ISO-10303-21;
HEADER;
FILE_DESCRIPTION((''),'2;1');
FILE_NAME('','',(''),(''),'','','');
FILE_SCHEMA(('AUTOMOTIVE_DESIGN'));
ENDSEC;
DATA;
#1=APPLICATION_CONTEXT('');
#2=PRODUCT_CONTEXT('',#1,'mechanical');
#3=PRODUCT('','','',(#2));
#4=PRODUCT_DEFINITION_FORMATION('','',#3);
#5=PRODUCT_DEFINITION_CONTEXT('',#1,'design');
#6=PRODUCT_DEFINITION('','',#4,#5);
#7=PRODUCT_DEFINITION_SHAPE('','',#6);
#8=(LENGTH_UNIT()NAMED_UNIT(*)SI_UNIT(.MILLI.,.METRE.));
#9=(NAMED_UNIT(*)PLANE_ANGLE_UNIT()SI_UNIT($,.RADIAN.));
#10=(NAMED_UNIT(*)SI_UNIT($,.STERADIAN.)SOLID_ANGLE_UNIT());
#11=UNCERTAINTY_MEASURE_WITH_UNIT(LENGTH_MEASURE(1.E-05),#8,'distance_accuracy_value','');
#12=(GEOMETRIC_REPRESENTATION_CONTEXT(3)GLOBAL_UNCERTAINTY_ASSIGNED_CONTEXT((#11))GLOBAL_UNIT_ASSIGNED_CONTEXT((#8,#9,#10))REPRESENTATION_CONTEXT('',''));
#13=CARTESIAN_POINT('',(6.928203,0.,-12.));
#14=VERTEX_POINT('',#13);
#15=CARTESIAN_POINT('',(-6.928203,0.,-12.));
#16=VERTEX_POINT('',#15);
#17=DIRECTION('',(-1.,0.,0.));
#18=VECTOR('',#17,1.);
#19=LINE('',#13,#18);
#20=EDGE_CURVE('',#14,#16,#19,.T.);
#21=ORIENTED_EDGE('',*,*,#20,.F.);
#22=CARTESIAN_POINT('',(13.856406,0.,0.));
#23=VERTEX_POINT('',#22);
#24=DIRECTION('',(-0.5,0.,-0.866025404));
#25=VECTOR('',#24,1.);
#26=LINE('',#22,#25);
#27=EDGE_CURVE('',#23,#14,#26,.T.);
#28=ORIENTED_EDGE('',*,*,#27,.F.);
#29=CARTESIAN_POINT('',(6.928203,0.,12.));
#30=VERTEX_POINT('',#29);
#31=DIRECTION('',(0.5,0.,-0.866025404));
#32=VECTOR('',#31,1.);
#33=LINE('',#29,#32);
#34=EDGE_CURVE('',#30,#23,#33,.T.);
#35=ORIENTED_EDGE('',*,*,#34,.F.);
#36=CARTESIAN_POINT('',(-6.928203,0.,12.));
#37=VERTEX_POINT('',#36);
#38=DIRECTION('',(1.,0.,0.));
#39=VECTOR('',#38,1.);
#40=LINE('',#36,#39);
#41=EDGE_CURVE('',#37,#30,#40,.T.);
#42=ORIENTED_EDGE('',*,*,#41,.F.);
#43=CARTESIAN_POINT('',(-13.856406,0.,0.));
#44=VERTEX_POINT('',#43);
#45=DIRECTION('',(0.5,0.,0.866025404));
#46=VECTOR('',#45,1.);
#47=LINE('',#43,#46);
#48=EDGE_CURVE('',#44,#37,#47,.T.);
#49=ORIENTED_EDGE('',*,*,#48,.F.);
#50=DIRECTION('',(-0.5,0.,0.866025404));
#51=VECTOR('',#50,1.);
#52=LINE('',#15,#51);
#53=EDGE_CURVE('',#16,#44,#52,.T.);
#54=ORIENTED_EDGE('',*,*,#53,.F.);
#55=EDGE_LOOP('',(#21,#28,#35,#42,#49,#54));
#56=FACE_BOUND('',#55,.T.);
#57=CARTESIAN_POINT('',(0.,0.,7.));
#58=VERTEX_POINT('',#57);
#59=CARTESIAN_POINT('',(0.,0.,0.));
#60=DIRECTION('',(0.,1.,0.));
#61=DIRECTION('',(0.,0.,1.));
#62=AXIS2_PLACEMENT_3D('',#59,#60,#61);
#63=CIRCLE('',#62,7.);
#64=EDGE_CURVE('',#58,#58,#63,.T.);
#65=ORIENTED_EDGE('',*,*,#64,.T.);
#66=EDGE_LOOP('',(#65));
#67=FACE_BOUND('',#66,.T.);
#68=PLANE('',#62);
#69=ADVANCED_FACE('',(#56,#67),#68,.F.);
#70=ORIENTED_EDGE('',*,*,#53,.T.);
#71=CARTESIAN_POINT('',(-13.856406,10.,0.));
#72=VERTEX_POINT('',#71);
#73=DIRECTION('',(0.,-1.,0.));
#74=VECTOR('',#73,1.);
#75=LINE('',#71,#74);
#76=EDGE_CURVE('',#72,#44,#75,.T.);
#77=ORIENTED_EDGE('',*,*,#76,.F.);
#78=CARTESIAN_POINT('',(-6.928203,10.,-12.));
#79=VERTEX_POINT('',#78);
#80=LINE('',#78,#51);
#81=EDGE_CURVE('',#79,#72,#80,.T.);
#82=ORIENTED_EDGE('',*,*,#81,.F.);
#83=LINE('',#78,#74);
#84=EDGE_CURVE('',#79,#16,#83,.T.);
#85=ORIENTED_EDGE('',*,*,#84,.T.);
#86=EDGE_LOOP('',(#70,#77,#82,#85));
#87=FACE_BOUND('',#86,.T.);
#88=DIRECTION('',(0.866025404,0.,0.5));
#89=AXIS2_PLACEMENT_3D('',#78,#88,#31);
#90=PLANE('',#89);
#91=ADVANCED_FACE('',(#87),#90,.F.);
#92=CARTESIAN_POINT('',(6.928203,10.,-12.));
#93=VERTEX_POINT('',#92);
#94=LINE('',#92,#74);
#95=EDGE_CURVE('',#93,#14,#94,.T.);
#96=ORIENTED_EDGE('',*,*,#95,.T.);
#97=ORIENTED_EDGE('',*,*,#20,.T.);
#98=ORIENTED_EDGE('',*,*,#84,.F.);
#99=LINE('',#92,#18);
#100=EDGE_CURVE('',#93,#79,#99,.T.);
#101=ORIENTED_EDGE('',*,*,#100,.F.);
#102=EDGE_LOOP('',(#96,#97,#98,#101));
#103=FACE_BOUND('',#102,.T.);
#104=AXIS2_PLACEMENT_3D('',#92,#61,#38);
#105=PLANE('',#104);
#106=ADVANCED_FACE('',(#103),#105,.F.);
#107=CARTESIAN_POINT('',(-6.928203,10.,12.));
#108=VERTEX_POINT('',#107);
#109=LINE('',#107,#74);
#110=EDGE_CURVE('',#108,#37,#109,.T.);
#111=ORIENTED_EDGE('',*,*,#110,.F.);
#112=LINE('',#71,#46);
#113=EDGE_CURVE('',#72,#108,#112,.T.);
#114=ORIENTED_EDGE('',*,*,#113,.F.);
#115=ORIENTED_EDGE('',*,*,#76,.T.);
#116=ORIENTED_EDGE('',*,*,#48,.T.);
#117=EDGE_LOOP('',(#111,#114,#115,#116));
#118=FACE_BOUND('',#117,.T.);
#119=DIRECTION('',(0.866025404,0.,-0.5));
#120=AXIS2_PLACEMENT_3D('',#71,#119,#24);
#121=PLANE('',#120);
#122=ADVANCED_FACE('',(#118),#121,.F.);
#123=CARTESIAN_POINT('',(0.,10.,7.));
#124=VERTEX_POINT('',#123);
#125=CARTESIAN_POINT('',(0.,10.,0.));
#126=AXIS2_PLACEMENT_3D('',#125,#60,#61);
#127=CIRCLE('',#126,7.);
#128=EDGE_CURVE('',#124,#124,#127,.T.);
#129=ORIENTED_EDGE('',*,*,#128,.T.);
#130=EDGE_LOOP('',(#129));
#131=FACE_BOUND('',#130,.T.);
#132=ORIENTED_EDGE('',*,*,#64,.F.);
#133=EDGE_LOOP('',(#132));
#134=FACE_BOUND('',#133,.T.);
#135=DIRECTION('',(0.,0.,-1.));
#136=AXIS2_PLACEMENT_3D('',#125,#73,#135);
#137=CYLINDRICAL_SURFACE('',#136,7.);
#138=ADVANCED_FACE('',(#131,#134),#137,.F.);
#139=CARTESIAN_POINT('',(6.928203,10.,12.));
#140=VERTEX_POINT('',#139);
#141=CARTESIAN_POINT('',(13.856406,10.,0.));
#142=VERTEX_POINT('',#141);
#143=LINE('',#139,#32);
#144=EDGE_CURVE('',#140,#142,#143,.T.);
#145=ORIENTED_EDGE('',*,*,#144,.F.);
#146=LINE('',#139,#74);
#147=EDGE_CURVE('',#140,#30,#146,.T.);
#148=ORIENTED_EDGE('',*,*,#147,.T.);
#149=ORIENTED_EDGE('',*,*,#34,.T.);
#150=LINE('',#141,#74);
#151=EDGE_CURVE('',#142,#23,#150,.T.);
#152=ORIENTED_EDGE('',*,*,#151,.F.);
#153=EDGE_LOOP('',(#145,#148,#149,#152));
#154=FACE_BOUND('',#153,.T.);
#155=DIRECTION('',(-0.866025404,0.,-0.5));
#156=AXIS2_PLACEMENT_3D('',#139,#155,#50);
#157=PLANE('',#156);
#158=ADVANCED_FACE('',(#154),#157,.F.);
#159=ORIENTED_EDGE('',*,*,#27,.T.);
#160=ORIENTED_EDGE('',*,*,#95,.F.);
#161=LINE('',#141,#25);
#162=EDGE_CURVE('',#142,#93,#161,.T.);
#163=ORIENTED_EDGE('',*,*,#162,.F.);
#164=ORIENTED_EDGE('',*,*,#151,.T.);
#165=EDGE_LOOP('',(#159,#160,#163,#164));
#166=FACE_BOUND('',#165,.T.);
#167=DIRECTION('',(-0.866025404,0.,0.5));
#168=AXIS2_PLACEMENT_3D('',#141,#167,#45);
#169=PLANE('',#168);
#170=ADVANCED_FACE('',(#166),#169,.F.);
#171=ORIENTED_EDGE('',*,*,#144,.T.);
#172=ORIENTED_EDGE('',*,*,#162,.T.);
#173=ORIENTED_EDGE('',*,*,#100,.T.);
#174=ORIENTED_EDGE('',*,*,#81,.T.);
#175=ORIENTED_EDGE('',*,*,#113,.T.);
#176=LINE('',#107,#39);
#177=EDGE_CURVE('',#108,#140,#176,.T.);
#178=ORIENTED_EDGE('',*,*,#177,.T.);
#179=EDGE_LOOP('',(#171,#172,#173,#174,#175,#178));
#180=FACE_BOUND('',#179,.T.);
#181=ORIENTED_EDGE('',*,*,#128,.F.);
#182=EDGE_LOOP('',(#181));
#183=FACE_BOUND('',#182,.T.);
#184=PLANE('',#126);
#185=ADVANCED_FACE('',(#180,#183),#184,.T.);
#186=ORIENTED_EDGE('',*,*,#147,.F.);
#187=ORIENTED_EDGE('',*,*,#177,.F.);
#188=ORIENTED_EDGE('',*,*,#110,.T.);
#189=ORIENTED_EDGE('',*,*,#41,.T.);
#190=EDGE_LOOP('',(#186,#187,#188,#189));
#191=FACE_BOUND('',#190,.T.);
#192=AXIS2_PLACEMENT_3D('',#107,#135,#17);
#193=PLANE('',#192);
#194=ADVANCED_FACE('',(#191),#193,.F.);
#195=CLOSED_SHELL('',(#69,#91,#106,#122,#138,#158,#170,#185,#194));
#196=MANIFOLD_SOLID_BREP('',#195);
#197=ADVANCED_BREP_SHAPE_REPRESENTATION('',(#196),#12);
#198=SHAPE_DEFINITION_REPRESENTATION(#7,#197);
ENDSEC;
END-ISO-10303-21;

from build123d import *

# Parameters (mm, degrees)
SKETCH2_R           = 7
BOSS_EXTRUDE1_DEPTH = 10


with BuildPart() as part:
    # Sketch2 → Boss-Extrude1 (new body)
    with BuildSketch(Plane(origin=(0, 0, 0), x_dir=(1, 0, 0), z_dir=(0, 1, 0))):
        Polygon((6.92820323, 12), (-6.92820323, 12), (-13.856406461, 0), (-6.92820323, -12), (6.92820323, -12), (13.856406461, 0), align=None)
        Circle(SKETCH2_R, mode=Mode.SUBTRACT)
    extrude(amount=BOSS_EXTRUDE1_DEPTH)


solid = part.part
